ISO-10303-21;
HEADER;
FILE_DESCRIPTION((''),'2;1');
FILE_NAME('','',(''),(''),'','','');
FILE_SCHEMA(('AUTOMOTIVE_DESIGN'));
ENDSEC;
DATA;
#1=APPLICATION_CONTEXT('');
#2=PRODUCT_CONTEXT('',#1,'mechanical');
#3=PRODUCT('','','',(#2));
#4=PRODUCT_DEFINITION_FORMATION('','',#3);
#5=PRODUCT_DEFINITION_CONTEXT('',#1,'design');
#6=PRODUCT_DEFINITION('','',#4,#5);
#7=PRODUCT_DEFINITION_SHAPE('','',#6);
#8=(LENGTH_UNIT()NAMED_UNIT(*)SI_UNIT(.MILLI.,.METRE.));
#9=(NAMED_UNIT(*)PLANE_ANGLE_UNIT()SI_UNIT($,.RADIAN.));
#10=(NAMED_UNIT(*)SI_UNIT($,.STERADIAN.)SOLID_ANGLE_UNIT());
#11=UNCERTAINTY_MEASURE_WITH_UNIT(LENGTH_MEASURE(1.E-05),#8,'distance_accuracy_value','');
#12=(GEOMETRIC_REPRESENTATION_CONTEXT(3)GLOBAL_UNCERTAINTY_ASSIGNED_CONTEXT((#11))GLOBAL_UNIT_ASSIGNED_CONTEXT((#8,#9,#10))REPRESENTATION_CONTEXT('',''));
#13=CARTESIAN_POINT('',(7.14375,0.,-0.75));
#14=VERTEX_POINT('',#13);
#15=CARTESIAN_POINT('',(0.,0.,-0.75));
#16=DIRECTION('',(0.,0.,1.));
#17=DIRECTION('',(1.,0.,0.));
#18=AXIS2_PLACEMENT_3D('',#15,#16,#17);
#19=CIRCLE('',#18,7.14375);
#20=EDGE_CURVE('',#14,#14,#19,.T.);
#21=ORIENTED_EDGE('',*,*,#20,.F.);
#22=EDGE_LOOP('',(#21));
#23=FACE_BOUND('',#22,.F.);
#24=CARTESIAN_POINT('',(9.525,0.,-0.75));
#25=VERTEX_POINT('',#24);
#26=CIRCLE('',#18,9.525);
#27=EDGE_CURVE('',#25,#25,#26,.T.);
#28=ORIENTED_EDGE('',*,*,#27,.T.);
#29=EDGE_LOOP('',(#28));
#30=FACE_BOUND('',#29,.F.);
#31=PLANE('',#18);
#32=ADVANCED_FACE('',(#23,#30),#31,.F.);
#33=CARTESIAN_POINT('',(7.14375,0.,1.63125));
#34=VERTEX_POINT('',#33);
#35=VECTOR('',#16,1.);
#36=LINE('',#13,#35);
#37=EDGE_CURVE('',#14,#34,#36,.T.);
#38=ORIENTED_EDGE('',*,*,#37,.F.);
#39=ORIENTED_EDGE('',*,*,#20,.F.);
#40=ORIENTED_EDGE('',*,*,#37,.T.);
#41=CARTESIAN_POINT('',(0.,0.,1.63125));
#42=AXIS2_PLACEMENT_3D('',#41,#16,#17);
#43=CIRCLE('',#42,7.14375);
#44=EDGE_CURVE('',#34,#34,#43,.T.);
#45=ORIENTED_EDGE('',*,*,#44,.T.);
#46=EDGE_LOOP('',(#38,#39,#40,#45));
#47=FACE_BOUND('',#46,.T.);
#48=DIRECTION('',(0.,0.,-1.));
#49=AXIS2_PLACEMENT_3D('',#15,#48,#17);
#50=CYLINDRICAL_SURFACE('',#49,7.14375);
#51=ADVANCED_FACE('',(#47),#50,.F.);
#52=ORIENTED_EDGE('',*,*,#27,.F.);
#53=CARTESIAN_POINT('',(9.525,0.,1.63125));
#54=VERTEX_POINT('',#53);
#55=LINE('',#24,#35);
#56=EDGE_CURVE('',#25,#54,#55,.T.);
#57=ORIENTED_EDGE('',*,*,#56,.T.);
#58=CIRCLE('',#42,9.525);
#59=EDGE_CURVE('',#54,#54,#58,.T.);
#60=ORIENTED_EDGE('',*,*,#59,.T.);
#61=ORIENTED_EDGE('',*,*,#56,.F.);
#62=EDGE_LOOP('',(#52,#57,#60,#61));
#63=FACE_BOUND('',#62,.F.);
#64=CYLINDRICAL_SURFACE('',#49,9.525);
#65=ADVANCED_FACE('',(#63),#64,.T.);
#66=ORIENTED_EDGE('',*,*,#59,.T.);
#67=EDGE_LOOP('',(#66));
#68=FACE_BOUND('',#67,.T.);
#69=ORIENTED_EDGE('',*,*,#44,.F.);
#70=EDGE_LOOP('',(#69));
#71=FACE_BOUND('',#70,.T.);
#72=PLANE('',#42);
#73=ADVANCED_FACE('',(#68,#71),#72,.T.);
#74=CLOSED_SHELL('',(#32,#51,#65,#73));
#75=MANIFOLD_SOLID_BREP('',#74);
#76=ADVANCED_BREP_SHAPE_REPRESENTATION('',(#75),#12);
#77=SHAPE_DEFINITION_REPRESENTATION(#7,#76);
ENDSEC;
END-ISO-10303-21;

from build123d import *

# Parameters (mm, degrees)
CYLINDER154_R     = 7.14375
CYLINDER154_DEPTH = 2.38125
CYLINDER155_R     = 9.525
CYLINDER155_DEPTH = 2.38125


with BuildPart() as cylinder008:
    # Cylinder154 → Cylinder154 (new body)
    with BuildSketch(Plane.XY):
        Circle(CYLINDER154_R)
    extrude(amount=CYLINDER154_DEPTH)


with BuildPart() as oring:
    # Cylinder155 → Cylinder155 (new body)
    with BuildSketch(Plane.XY):
        Circle(CYLINDER155_R)
    extrude(amount=CYLINDER155_DEPTH)

    # Cut019: cut Cylinder008
    add(cylinder008.part, mode=Mode.SUBTRACT)


with BuildPart() as oring_1:
    # Cut019 placement: moved
    add(oring.part.moved(Location((0, 0, -0.75))))


solid = oring_1.part
